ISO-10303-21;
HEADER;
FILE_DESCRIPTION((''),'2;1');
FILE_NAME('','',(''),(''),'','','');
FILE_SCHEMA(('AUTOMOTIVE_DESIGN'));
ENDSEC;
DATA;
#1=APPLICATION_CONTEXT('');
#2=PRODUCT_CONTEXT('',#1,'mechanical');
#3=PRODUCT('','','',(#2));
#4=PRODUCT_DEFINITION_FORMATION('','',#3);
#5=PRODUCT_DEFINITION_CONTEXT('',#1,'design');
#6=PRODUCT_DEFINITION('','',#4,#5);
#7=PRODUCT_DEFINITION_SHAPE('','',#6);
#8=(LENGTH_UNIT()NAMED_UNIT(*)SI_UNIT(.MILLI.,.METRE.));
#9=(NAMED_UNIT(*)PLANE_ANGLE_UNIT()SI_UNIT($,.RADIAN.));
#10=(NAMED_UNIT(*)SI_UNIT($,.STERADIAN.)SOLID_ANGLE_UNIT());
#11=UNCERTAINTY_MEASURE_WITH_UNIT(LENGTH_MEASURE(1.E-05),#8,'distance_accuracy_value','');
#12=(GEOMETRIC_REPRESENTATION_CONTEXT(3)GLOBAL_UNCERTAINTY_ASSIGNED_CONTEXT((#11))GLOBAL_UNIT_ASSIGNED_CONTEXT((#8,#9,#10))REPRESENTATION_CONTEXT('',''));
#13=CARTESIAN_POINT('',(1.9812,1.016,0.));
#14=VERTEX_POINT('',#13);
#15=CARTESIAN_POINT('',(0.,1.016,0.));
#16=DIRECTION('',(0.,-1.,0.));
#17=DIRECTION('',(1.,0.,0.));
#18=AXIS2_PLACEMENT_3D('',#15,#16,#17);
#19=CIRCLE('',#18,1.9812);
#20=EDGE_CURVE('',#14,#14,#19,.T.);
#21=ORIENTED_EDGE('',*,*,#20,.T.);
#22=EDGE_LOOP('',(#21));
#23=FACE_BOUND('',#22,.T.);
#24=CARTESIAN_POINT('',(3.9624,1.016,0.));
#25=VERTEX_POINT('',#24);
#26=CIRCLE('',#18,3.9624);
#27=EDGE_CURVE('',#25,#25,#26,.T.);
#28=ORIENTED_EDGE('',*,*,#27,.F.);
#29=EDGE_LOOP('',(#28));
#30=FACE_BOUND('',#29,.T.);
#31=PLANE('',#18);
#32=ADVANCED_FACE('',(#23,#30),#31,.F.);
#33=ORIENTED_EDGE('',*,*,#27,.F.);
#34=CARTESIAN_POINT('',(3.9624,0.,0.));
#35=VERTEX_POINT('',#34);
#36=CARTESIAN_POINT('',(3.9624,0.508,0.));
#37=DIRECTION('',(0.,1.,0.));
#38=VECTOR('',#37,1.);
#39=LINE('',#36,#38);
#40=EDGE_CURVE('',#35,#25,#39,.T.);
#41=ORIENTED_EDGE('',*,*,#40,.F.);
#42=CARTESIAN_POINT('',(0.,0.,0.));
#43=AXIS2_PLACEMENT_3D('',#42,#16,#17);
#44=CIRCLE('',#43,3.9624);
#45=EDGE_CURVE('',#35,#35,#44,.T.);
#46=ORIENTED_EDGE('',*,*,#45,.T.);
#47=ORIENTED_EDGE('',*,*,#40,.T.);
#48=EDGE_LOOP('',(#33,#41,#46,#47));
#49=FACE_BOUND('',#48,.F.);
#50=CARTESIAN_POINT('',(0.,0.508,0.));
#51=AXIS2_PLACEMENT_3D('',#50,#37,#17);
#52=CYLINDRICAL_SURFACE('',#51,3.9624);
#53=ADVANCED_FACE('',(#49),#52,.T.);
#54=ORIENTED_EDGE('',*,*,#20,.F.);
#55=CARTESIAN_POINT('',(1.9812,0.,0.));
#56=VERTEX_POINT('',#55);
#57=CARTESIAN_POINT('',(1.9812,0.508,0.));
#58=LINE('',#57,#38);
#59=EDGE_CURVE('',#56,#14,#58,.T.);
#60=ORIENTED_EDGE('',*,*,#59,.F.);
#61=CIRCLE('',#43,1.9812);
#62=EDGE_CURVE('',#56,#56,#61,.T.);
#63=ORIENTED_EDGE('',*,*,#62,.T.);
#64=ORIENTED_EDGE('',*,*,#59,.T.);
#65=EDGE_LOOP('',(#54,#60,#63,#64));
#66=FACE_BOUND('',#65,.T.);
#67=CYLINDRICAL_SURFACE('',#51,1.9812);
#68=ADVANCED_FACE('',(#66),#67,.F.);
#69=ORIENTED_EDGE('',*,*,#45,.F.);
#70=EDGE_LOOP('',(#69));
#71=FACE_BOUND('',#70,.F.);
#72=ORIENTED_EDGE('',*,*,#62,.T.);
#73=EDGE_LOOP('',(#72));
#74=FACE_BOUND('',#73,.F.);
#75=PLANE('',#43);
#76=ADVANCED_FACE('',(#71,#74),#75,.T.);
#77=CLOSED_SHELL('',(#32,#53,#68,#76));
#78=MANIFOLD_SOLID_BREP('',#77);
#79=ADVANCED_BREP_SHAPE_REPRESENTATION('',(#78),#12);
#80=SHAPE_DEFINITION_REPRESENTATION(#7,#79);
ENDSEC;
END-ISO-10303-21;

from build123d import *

# Parameters (mm, degrees)
SKETCH_1_W = 1.9812
SKETCH_1_H = 1.016


with BuildPart() as part:
    # 草图1 → 旋转1 (revolve)
    with BuildSketch(Plane.XY):
        with Locations((2.9718, 0.508)):
            Rectangle(SKETCH_1_W, SKETCH_1_H)
    revolve(axis=Axis((0, 1.016, 0), (0, -1, 0)))


solid = part.part
